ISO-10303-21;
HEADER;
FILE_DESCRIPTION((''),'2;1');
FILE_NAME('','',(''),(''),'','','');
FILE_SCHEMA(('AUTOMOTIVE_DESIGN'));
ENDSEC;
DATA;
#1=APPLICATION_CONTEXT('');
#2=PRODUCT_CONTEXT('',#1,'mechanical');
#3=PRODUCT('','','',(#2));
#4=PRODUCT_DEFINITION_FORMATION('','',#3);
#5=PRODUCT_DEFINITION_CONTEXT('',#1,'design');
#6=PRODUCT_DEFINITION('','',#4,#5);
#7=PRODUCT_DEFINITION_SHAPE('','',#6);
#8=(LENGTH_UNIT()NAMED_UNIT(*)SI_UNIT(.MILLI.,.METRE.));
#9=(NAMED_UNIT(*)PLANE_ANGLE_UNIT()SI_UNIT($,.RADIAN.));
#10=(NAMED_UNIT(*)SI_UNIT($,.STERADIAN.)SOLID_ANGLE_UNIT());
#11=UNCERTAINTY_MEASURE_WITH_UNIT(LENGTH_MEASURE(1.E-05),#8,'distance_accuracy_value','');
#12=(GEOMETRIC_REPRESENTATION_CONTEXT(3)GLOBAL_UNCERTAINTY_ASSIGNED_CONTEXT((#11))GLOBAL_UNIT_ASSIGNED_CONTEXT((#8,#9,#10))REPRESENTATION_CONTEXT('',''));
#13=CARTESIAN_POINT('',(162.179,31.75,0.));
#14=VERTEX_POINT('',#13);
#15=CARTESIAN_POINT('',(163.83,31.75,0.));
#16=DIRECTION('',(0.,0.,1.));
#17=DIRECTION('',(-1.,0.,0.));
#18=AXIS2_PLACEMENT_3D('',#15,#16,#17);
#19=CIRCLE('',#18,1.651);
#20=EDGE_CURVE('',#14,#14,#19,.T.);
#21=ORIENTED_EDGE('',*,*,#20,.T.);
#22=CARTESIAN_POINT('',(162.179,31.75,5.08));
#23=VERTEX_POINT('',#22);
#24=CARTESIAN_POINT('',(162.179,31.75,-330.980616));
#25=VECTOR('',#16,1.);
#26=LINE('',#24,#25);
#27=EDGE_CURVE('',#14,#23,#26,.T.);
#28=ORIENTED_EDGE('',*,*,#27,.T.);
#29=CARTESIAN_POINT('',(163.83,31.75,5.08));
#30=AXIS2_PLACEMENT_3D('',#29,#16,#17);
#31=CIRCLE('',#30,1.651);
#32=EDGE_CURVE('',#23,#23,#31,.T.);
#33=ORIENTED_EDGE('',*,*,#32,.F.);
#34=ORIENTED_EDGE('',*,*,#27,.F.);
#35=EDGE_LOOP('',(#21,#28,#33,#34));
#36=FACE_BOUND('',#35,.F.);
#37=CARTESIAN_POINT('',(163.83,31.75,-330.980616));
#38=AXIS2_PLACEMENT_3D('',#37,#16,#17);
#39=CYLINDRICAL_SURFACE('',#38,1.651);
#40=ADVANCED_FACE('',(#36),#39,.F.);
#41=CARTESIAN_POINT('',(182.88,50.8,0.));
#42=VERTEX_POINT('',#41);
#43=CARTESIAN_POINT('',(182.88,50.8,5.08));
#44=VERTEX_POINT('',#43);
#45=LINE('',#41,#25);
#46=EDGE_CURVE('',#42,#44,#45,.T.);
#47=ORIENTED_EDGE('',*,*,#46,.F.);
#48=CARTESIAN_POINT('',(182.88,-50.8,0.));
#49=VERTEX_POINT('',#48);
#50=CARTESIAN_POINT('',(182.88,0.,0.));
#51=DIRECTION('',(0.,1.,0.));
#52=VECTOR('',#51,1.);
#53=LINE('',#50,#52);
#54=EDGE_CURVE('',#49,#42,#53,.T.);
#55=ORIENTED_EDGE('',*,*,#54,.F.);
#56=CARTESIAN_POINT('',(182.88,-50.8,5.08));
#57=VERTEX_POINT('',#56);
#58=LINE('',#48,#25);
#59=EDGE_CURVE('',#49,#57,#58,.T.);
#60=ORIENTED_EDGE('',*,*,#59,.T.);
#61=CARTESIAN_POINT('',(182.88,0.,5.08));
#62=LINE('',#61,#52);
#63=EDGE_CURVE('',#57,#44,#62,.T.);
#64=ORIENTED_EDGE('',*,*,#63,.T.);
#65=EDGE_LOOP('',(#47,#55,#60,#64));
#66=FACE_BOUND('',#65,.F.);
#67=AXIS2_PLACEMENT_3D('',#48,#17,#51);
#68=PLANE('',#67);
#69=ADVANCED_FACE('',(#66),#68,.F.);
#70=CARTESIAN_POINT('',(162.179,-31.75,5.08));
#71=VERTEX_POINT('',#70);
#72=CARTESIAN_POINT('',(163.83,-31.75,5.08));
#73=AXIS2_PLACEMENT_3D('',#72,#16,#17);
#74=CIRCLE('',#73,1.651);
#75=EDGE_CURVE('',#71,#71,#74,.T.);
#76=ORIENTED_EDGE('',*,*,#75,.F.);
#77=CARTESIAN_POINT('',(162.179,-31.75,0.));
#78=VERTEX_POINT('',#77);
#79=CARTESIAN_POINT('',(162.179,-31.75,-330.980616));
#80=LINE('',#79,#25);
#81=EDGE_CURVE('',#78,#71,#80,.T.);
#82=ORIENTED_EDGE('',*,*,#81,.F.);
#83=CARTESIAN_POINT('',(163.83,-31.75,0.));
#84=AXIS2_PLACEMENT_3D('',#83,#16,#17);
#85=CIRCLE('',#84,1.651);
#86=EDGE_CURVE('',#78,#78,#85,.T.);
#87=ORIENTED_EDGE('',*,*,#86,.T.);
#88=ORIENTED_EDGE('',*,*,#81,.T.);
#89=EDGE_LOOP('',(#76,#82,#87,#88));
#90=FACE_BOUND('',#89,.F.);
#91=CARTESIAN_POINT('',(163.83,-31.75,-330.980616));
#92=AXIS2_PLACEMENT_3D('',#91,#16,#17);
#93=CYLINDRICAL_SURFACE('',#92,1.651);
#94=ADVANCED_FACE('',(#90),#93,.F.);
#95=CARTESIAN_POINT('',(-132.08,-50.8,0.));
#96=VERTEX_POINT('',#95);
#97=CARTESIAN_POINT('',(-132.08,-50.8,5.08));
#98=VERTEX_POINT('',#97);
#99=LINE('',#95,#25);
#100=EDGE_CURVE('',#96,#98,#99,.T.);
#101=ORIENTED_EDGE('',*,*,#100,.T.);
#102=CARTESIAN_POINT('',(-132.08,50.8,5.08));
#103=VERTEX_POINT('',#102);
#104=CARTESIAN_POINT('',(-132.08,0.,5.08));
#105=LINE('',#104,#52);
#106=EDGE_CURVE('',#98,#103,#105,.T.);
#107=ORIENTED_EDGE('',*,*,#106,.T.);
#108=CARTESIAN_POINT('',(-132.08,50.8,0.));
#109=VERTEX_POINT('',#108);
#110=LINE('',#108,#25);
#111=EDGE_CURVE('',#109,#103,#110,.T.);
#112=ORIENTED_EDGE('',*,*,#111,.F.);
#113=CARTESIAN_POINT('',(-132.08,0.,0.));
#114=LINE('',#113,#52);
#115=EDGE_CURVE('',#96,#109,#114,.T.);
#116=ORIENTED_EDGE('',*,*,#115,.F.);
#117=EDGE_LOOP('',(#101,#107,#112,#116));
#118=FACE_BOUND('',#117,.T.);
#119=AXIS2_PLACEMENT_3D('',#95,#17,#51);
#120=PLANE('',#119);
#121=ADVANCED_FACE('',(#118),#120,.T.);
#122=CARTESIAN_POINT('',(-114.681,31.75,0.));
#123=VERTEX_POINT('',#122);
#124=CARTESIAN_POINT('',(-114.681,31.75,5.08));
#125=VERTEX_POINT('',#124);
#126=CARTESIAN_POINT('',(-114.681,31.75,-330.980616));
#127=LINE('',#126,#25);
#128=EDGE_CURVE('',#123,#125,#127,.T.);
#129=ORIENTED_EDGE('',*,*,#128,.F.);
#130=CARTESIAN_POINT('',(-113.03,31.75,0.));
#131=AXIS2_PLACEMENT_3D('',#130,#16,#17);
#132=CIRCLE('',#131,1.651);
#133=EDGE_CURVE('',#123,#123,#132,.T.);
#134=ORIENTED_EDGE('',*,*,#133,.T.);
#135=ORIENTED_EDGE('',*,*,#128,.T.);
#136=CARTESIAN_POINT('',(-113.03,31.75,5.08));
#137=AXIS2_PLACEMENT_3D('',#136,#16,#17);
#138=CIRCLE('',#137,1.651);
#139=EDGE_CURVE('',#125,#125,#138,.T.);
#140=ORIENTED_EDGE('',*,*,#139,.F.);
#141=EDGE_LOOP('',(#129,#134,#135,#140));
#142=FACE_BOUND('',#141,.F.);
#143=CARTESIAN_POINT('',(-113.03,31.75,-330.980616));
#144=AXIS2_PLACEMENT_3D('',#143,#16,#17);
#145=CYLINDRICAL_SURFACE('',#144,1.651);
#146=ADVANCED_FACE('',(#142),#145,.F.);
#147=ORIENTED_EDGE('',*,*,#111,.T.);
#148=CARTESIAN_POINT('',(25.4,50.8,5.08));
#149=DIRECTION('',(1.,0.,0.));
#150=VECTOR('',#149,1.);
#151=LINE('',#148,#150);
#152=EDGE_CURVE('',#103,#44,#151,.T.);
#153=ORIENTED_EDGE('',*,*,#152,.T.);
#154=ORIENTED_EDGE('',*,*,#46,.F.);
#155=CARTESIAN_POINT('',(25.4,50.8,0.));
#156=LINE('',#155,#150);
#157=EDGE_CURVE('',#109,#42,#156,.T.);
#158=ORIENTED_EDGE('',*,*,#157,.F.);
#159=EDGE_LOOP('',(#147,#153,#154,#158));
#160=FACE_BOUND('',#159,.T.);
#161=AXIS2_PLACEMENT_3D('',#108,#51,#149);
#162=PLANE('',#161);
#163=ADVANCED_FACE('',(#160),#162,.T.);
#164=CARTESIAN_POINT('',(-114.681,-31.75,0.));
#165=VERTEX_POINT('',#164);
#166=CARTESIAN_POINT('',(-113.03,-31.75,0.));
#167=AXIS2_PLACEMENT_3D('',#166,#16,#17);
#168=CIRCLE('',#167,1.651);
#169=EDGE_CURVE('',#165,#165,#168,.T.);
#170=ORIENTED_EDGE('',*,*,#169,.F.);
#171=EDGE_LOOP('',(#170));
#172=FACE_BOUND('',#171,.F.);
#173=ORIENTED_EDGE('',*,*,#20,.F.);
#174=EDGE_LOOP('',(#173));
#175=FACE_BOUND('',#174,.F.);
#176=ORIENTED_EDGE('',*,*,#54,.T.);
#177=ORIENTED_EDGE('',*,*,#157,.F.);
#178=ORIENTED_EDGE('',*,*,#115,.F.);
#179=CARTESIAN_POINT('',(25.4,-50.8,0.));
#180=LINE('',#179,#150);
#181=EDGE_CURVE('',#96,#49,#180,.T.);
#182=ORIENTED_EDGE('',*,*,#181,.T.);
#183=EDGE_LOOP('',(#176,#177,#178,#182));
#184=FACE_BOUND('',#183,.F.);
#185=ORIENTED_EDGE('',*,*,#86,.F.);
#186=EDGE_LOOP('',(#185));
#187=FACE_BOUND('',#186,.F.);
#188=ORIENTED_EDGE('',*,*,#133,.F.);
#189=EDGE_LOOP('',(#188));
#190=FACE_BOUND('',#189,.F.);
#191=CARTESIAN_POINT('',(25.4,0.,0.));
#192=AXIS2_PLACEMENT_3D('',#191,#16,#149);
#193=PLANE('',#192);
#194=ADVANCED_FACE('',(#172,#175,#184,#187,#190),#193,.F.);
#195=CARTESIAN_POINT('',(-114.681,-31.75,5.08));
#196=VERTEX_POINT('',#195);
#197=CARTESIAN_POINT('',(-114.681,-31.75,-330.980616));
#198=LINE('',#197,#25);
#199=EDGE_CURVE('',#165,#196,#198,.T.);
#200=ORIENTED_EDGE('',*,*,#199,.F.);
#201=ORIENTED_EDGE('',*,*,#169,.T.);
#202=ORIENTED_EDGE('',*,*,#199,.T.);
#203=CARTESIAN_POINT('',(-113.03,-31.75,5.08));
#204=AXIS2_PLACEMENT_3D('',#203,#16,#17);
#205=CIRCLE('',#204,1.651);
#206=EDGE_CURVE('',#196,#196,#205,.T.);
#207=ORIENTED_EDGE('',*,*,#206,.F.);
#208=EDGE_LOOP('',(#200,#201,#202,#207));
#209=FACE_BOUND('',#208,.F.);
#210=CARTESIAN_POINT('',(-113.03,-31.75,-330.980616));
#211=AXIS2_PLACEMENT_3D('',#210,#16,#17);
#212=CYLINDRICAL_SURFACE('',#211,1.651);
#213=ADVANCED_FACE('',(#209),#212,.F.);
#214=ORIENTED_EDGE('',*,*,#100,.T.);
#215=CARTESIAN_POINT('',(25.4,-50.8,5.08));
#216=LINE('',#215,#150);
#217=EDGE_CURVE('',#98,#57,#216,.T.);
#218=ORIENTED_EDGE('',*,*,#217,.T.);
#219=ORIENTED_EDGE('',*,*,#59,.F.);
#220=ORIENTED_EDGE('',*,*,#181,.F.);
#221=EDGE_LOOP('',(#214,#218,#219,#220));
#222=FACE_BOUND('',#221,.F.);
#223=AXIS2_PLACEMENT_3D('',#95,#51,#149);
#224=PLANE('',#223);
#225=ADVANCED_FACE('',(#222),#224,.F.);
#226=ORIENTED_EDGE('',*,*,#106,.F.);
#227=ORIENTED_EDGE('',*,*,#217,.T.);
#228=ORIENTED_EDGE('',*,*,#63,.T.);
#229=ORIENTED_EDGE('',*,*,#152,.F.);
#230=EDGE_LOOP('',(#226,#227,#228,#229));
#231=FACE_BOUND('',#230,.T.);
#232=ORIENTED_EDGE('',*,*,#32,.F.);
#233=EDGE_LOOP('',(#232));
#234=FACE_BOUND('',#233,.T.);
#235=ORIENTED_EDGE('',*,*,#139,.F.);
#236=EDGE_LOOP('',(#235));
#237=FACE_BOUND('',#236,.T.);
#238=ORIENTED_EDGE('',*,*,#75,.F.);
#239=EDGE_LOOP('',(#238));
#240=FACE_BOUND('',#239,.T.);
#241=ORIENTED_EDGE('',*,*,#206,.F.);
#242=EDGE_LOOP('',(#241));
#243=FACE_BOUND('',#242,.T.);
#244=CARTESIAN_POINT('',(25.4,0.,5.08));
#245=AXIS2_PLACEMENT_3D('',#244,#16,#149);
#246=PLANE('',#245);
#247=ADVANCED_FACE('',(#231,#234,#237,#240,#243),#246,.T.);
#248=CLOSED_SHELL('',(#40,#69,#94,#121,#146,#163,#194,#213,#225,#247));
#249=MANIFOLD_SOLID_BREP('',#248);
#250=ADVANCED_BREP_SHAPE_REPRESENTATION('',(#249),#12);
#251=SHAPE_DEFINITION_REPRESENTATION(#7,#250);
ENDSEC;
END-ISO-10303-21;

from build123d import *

# Parameters (mm, degrees)
F0_W     = 314.96
F0_H     = 101.6
F1_DEPTH = 5.08
F2_D     = 3.302


with BuildPart() as f1:
    # F0 (on Top) → F1 (new body)
    with BuildSketch(Plane.XY):
        with Locations((25.4, 0)):
            Rectangle(F0_W, F0_H)
    extrude(amount=F1_DEPTH)

    # F2 (through all)
    with Locations(Plane(origin=(0, 0, 0), x_dir=(1, 0, 0), z_dir=(0, 0, -1))):
        with Locations((-113.03, 31.75), (-113.03, -31.75), (163.83, -31.75), (163.83, 31.75)):
            Hole(F2_D / 2)


solid = f1.part
